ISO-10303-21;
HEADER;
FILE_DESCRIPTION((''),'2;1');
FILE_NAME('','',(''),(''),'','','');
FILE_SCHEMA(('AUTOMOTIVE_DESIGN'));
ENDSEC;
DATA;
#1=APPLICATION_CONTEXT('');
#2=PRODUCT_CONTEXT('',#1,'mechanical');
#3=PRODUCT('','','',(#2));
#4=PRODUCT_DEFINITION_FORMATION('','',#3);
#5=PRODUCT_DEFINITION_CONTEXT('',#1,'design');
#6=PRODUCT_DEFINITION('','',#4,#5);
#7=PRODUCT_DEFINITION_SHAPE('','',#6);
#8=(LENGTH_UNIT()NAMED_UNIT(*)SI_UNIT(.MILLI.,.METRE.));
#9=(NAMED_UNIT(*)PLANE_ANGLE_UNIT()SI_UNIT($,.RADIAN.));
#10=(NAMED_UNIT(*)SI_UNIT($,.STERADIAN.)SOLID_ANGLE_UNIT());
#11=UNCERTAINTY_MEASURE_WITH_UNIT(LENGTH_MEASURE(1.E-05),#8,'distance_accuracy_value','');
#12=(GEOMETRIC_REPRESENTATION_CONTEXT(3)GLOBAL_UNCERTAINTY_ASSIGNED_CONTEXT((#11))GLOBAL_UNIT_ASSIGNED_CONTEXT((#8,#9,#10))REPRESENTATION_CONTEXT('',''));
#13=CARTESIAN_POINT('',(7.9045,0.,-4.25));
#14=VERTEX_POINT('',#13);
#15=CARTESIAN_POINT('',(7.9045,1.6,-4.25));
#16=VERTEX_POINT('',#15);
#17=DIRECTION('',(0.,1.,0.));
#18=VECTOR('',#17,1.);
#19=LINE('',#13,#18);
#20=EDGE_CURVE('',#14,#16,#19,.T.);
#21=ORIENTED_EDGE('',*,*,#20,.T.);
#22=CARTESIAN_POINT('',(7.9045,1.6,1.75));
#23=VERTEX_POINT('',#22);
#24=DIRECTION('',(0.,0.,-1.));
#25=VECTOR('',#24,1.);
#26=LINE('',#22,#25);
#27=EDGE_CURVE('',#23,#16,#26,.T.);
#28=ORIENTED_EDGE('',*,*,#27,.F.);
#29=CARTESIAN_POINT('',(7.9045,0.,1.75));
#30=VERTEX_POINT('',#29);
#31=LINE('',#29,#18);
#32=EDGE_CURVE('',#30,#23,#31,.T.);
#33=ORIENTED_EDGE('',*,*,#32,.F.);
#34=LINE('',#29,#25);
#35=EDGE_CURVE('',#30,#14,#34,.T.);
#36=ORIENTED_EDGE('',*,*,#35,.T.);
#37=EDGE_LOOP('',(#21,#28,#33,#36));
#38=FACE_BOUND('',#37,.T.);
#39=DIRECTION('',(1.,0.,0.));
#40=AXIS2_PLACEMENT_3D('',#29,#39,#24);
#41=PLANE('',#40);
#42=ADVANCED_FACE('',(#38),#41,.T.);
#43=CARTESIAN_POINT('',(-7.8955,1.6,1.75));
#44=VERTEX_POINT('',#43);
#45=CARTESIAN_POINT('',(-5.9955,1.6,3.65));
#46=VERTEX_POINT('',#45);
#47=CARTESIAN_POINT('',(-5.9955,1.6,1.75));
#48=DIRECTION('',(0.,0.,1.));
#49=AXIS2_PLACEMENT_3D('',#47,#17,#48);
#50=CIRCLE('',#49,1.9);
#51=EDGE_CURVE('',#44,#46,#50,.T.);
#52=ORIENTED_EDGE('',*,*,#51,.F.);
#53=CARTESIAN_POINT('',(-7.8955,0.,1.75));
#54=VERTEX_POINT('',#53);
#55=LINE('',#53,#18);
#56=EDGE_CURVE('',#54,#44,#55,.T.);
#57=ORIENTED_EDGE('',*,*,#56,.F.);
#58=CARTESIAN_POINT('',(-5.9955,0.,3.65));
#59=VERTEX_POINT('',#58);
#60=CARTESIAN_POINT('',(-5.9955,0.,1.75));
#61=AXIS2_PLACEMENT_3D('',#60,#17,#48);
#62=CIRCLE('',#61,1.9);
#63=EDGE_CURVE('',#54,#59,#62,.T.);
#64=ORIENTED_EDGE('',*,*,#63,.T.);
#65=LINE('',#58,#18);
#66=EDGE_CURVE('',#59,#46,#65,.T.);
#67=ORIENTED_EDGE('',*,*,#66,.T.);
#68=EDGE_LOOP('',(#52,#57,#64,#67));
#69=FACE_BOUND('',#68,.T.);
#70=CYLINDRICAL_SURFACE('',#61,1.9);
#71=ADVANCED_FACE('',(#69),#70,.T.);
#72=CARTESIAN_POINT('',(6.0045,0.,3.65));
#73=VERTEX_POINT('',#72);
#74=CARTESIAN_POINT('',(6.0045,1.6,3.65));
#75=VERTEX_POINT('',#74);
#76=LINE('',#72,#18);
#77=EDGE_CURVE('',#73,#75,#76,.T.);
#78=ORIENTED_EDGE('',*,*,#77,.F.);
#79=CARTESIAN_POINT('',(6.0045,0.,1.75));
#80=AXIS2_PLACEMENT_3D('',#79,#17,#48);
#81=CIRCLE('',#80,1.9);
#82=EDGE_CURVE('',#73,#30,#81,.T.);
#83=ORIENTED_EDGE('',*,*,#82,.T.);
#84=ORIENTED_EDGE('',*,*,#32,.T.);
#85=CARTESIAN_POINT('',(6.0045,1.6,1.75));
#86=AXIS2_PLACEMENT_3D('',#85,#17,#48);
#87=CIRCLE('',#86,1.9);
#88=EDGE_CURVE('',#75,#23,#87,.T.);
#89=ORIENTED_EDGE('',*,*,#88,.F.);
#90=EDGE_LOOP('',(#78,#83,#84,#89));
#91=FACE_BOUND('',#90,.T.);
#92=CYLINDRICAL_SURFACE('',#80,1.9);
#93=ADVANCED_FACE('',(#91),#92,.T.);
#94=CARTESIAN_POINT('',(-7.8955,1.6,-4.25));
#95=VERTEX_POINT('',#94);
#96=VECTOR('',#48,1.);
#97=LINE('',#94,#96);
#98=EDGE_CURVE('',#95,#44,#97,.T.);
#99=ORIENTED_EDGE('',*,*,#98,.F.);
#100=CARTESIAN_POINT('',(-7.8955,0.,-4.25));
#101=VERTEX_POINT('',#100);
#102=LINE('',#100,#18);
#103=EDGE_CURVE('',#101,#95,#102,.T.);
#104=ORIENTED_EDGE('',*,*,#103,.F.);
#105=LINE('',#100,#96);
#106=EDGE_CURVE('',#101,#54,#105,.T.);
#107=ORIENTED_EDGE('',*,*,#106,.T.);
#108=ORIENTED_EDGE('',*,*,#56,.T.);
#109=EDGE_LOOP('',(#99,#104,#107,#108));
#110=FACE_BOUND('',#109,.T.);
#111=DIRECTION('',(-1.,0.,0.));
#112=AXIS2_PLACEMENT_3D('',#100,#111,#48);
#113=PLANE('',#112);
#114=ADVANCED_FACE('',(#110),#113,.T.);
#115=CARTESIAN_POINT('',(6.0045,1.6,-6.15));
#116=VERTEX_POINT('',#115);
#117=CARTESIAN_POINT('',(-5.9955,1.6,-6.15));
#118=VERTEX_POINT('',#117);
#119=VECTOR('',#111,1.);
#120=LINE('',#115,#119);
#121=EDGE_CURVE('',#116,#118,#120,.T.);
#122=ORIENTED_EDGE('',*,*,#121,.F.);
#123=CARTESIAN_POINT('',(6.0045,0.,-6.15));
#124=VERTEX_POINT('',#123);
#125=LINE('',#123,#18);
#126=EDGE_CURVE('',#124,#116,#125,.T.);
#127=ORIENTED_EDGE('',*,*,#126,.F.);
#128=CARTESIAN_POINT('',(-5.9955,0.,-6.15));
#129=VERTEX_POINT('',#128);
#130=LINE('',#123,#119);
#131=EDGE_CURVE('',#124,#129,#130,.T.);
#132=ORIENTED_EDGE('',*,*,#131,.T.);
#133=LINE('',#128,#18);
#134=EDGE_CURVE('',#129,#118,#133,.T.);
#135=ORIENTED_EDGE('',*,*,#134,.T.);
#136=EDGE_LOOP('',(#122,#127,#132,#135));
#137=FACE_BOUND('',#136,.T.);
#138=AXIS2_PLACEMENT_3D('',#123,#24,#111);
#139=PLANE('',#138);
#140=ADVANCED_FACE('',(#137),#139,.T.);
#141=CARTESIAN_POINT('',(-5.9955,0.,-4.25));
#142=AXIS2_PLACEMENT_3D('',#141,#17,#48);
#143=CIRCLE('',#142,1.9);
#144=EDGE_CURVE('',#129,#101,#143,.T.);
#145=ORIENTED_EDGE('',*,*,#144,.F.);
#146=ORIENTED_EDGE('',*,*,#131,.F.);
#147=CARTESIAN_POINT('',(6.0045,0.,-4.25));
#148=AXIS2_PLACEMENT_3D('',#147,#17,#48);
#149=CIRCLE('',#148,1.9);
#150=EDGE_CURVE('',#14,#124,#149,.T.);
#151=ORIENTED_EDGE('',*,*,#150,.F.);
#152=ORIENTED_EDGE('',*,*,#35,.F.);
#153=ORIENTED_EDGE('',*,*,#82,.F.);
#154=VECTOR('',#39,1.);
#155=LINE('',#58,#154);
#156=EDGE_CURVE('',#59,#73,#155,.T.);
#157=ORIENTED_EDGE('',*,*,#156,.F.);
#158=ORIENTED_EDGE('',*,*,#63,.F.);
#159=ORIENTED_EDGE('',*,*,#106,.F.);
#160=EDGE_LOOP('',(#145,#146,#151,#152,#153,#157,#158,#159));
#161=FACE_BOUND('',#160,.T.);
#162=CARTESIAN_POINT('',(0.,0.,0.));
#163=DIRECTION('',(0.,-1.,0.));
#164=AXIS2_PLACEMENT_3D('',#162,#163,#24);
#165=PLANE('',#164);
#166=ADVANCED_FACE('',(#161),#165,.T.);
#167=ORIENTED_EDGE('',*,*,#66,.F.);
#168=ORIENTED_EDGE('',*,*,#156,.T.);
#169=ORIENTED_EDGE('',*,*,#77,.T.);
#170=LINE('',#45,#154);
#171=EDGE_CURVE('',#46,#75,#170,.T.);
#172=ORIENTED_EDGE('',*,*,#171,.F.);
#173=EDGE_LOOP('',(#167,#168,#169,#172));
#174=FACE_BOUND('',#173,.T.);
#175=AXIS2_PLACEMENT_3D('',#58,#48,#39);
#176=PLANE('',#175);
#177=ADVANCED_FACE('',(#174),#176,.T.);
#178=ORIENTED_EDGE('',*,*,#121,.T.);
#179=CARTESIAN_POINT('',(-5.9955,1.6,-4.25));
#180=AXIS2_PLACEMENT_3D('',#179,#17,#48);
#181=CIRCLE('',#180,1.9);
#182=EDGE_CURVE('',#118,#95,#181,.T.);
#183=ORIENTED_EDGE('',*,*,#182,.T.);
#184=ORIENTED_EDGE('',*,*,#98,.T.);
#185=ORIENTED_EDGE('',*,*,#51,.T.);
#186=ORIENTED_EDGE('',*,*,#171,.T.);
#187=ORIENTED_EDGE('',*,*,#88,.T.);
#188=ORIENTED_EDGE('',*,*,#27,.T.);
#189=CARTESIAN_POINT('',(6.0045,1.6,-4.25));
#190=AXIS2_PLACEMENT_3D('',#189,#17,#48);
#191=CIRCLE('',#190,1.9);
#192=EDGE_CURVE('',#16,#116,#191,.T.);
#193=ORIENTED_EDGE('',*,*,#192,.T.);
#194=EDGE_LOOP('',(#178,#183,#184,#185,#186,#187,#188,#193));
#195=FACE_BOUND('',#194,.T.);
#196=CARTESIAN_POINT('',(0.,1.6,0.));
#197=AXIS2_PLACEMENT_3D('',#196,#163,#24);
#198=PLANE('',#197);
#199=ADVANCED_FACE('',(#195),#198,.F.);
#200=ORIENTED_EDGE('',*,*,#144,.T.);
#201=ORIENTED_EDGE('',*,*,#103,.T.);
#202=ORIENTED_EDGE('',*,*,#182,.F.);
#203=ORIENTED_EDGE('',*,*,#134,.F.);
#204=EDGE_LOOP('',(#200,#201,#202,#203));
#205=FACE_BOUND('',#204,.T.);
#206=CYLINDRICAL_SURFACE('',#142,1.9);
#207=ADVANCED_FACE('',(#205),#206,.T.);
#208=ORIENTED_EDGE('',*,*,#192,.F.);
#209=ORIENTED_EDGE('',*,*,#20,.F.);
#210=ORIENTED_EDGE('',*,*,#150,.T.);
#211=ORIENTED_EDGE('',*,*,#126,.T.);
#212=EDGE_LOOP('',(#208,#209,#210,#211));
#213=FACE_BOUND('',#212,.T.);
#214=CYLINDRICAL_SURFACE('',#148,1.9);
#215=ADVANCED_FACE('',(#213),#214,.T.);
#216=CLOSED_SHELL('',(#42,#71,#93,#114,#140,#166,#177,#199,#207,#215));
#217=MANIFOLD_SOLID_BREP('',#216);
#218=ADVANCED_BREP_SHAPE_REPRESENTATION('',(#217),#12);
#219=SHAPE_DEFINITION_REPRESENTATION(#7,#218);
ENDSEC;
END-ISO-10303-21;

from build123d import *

# Parameters (mm, degrees)
SKETCH1_W           = 16
SKETCH1_H           = 16
BOSS_EXTRUDE1_DEPTH = 1.6
SKETCH2_OUTSIDE_W   = 22.536
SKETCH2_OUTSIDE_H   = 22.536
CUT_EXTRUDE1_DEPTH  = 1.6


with BuildPart() as part:
    # Sketch1 → Boss-Extrude1 (new body)
    with BuildSketch(Plane(origin=(0, 0, 0), x_dir=(1, 0, 0), z_dir=(0, 1, 0))):
        Rectangle(SKETCH1_W, SKETCH1_H)
    extrude(amount=BOSS_EXTRUDE1_DEPTH)

    # Sketch2 outside → Cut-Extrude1 (cut)
    with BuildSketch(Plane(origin=(0, 1.6, 0), x_dir=(1, 0, 0), z_dir=(0, 1, 0))):
        Rectangle(SKETCH2_OUTSIDE_W, SKETCH2_OUTSIDE_H)
        with BuildLine():
            Line((6.0045, 6.15), (-5.9955, 6.15))
            ThreePointArc((-5.9955, 6.15), (-7.339002884, 5.593502884), (-7.8955, 4.25))
            Line((-7.8955, 4.25), (-7.8955, -1.75))
            ThreePointArc((-7.8955, -1.75), (-7.339002884, -3.093502884), (-5.9955, -3.65))
            Line((-5.9955, -3.65), (6.0045, -3.65))
            ThreePointArc((6.0045, -3.65), (7.348002884, -3.093502884), (7.9045, -1.75))
            Line((7.9045, -1.75), (7.9045, 4.25))
            ThreePointArc((7.9045, 4.25), (7.348002884, 5.593502884), (6.0045, 6.15))
        make_face(mode=Mode.SUBTRACT)
    extrude(amount=-CUT_EXTRUDE1_DEPTH, mode=Mode.SUBTRACT)


solid = part.part
